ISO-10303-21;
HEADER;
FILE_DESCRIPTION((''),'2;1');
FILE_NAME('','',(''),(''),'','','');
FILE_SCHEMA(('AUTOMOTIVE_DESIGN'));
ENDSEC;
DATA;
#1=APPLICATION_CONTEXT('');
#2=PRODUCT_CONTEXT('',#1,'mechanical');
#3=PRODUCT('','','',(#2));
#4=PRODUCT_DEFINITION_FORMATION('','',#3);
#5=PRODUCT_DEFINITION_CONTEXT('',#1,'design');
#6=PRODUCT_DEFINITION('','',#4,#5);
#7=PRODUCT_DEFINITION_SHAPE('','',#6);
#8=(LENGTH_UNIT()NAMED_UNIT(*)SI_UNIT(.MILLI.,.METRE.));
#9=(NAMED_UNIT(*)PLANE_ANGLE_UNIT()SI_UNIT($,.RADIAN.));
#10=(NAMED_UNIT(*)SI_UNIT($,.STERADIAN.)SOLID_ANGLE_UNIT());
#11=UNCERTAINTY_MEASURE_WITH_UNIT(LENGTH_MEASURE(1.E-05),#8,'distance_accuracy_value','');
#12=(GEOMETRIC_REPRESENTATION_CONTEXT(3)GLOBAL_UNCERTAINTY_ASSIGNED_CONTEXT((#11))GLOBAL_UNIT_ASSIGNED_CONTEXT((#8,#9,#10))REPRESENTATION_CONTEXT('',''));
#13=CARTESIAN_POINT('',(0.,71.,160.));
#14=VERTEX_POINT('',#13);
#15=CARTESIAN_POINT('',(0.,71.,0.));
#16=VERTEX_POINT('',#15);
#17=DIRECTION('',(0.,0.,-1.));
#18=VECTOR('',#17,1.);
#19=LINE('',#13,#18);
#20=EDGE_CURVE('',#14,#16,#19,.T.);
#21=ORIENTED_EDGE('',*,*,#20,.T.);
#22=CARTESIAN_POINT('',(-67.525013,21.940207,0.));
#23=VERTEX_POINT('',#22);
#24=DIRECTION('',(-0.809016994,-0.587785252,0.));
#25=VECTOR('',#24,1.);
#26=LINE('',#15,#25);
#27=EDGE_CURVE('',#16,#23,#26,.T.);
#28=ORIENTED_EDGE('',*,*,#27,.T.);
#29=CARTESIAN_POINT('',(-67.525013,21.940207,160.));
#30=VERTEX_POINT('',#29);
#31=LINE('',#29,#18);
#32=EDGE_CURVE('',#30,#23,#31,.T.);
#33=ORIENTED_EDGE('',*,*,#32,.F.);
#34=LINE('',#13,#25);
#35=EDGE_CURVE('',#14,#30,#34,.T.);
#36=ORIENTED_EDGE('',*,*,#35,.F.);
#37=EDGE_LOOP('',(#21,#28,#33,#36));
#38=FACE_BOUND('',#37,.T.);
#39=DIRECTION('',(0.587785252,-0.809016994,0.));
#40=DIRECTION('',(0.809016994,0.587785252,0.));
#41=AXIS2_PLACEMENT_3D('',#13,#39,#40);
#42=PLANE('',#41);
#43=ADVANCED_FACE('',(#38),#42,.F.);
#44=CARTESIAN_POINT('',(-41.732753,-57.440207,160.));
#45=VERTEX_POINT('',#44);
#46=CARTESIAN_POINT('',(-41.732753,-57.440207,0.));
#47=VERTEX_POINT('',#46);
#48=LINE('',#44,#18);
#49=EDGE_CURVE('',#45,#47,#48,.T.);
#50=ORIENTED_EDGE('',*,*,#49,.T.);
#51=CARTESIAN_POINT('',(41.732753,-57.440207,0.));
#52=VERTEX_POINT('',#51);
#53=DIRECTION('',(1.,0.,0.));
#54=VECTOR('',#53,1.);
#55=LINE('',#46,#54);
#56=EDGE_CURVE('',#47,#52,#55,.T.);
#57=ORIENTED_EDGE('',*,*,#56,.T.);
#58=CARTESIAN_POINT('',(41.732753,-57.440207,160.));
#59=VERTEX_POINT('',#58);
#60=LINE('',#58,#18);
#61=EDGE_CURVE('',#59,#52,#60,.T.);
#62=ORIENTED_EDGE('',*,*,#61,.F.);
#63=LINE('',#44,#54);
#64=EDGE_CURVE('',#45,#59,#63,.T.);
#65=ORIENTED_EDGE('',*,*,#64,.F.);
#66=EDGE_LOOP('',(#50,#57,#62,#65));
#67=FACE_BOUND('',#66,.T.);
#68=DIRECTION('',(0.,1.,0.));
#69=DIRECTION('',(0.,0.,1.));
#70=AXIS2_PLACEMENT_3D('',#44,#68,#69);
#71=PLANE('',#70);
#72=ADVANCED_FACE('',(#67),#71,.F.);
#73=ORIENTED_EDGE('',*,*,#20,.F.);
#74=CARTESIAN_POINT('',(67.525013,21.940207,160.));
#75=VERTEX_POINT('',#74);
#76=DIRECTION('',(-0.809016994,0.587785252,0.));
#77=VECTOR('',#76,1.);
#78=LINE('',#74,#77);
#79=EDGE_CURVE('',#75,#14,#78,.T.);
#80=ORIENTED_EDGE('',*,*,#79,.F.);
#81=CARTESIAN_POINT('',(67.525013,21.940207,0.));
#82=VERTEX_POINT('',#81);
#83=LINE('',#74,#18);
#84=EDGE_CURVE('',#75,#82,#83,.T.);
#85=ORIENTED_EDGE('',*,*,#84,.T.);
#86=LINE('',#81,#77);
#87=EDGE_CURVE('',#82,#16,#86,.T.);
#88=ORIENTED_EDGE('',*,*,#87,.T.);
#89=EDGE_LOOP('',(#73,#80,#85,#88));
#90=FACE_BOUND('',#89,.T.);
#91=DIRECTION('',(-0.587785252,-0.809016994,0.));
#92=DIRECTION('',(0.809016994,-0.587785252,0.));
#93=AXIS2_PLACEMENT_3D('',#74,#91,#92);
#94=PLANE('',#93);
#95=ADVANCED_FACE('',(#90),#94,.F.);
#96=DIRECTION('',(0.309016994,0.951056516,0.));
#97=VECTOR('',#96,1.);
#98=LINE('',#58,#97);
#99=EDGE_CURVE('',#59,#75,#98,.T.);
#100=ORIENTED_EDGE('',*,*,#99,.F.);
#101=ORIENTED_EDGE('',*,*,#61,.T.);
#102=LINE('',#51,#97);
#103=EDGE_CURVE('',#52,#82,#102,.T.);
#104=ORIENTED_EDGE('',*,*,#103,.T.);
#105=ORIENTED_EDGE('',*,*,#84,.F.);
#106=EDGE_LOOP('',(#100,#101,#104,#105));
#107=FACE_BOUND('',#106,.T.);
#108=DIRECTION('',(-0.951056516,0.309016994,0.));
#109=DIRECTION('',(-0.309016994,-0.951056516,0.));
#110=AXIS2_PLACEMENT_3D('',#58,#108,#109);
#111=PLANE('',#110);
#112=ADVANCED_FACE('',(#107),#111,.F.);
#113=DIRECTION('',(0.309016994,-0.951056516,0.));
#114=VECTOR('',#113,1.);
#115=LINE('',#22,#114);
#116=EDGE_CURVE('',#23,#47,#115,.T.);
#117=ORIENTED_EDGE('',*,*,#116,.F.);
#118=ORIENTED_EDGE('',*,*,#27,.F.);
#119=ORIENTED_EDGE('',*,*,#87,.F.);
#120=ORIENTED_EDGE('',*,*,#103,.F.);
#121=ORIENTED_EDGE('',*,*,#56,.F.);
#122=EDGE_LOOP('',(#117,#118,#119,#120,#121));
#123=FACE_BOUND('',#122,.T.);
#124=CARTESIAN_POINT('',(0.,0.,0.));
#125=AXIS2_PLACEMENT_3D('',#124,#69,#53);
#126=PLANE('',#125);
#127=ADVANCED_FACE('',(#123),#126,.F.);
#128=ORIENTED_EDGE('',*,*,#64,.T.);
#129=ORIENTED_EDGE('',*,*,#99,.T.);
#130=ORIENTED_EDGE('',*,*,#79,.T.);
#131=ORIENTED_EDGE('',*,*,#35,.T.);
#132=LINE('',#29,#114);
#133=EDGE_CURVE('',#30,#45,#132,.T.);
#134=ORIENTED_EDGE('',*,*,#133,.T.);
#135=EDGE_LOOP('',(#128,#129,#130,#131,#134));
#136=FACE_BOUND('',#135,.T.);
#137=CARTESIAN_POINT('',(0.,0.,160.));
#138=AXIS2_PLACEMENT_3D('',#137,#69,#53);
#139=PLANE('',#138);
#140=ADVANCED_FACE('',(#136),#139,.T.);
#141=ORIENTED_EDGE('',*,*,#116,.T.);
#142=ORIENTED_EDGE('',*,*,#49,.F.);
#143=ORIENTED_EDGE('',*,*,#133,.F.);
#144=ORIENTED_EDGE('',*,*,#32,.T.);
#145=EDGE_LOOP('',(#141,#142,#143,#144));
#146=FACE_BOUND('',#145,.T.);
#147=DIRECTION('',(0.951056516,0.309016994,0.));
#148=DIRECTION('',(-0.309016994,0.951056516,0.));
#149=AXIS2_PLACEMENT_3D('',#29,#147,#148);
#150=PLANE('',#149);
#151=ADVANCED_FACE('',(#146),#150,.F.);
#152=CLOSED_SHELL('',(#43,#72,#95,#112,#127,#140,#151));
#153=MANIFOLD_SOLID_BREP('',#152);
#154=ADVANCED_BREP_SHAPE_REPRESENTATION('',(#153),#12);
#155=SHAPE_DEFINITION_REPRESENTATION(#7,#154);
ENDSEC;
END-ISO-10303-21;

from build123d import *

# Parameters (mm, degrees)
ESTRUSIONE_ESTRUSIONE1_DEPTH = 160


with BuildPart() as part:
    # Schizzo1 → Estrusione-Estrusione1 (new body)
    with BuildSketch(Plane.XY):
        Polygon((41.732752913, -57.440206601), (67.525012657, 21.940206601), (0, 71), (-67.525012657, 21.940206601), (-41.732752913, -57.440206601), align=None)
    extrude(amount=ESTRUSIONE_ESTRUSIONE1_DEPTH)


solid = part.part
